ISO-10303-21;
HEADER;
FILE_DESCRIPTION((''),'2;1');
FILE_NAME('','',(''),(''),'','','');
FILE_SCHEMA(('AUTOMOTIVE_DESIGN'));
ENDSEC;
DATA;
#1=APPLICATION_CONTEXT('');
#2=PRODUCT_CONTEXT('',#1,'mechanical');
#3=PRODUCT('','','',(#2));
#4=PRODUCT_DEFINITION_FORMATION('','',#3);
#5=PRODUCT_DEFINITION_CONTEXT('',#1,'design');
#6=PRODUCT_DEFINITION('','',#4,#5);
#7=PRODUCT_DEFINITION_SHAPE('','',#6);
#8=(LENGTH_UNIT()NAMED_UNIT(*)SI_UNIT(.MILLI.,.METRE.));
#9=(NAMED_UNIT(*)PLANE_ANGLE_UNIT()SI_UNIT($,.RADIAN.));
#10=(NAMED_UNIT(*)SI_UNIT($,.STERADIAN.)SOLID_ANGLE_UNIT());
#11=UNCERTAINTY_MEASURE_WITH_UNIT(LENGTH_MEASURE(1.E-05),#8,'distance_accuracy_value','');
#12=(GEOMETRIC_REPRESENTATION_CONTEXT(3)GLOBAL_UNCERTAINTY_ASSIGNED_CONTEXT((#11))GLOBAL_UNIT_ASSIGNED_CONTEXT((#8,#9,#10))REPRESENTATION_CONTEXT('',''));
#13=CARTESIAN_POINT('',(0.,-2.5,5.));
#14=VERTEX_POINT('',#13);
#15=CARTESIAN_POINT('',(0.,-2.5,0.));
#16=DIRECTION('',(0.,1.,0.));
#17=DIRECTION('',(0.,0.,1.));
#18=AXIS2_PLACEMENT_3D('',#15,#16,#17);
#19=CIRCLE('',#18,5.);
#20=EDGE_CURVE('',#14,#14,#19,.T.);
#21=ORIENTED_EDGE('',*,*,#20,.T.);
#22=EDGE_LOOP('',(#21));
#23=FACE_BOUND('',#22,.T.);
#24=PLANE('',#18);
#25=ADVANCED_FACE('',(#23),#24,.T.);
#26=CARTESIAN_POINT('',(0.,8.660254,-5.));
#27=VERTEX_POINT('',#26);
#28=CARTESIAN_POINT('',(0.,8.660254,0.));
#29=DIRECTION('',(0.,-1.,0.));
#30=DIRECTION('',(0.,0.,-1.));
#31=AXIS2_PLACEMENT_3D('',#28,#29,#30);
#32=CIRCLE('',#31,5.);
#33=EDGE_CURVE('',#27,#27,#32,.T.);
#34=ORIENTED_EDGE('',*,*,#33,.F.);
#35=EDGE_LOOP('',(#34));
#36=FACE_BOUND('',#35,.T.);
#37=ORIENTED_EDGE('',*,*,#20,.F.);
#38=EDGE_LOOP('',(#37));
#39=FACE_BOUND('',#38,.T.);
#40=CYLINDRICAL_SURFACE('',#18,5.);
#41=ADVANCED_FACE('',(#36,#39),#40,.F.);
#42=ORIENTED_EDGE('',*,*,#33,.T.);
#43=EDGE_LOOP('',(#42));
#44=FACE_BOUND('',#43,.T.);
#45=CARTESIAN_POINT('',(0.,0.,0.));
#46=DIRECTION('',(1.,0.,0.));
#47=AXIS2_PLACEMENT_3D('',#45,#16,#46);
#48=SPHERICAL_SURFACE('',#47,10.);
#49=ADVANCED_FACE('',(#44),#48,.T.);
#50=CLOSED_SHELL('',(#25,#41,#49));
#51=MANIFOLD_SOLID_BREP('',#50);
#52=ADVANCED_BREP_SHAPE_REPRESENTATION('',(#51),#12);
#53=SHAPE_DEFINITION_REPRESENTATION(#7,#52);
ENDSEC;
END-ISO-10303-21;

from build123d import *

# Parameters (mm, degrees)
SKETCH4_R          = 5
CUT_EXTRUDE1_DEPTH = 12.5


with BuildPart() as part:
    # Sketch1 → Revolve2 (revolve)
    with BuildSketch(Plane.XY):
        with BuildLine():
            Line((0, -10), (0, 10))
            ThreePointArc((0, 10), (10, 0), (0, -10))
        make_face()
    revolve(axis=Axis((0, 10, 0), (0, -1, 0)))

    # Sketch4 → Cut-Extrude1 (cut)
    with BuildSketch(Plane(origin=(0, 10, 0), x_dir=(1, 0, 0), z_dir=(0, 1, 0))):
        Circle(SKETCH4_R)
    extrude(amount=-CUT_EXTRUDE1_DEPTH, mode=Mode.SUBTRACT)


solid = part.part
